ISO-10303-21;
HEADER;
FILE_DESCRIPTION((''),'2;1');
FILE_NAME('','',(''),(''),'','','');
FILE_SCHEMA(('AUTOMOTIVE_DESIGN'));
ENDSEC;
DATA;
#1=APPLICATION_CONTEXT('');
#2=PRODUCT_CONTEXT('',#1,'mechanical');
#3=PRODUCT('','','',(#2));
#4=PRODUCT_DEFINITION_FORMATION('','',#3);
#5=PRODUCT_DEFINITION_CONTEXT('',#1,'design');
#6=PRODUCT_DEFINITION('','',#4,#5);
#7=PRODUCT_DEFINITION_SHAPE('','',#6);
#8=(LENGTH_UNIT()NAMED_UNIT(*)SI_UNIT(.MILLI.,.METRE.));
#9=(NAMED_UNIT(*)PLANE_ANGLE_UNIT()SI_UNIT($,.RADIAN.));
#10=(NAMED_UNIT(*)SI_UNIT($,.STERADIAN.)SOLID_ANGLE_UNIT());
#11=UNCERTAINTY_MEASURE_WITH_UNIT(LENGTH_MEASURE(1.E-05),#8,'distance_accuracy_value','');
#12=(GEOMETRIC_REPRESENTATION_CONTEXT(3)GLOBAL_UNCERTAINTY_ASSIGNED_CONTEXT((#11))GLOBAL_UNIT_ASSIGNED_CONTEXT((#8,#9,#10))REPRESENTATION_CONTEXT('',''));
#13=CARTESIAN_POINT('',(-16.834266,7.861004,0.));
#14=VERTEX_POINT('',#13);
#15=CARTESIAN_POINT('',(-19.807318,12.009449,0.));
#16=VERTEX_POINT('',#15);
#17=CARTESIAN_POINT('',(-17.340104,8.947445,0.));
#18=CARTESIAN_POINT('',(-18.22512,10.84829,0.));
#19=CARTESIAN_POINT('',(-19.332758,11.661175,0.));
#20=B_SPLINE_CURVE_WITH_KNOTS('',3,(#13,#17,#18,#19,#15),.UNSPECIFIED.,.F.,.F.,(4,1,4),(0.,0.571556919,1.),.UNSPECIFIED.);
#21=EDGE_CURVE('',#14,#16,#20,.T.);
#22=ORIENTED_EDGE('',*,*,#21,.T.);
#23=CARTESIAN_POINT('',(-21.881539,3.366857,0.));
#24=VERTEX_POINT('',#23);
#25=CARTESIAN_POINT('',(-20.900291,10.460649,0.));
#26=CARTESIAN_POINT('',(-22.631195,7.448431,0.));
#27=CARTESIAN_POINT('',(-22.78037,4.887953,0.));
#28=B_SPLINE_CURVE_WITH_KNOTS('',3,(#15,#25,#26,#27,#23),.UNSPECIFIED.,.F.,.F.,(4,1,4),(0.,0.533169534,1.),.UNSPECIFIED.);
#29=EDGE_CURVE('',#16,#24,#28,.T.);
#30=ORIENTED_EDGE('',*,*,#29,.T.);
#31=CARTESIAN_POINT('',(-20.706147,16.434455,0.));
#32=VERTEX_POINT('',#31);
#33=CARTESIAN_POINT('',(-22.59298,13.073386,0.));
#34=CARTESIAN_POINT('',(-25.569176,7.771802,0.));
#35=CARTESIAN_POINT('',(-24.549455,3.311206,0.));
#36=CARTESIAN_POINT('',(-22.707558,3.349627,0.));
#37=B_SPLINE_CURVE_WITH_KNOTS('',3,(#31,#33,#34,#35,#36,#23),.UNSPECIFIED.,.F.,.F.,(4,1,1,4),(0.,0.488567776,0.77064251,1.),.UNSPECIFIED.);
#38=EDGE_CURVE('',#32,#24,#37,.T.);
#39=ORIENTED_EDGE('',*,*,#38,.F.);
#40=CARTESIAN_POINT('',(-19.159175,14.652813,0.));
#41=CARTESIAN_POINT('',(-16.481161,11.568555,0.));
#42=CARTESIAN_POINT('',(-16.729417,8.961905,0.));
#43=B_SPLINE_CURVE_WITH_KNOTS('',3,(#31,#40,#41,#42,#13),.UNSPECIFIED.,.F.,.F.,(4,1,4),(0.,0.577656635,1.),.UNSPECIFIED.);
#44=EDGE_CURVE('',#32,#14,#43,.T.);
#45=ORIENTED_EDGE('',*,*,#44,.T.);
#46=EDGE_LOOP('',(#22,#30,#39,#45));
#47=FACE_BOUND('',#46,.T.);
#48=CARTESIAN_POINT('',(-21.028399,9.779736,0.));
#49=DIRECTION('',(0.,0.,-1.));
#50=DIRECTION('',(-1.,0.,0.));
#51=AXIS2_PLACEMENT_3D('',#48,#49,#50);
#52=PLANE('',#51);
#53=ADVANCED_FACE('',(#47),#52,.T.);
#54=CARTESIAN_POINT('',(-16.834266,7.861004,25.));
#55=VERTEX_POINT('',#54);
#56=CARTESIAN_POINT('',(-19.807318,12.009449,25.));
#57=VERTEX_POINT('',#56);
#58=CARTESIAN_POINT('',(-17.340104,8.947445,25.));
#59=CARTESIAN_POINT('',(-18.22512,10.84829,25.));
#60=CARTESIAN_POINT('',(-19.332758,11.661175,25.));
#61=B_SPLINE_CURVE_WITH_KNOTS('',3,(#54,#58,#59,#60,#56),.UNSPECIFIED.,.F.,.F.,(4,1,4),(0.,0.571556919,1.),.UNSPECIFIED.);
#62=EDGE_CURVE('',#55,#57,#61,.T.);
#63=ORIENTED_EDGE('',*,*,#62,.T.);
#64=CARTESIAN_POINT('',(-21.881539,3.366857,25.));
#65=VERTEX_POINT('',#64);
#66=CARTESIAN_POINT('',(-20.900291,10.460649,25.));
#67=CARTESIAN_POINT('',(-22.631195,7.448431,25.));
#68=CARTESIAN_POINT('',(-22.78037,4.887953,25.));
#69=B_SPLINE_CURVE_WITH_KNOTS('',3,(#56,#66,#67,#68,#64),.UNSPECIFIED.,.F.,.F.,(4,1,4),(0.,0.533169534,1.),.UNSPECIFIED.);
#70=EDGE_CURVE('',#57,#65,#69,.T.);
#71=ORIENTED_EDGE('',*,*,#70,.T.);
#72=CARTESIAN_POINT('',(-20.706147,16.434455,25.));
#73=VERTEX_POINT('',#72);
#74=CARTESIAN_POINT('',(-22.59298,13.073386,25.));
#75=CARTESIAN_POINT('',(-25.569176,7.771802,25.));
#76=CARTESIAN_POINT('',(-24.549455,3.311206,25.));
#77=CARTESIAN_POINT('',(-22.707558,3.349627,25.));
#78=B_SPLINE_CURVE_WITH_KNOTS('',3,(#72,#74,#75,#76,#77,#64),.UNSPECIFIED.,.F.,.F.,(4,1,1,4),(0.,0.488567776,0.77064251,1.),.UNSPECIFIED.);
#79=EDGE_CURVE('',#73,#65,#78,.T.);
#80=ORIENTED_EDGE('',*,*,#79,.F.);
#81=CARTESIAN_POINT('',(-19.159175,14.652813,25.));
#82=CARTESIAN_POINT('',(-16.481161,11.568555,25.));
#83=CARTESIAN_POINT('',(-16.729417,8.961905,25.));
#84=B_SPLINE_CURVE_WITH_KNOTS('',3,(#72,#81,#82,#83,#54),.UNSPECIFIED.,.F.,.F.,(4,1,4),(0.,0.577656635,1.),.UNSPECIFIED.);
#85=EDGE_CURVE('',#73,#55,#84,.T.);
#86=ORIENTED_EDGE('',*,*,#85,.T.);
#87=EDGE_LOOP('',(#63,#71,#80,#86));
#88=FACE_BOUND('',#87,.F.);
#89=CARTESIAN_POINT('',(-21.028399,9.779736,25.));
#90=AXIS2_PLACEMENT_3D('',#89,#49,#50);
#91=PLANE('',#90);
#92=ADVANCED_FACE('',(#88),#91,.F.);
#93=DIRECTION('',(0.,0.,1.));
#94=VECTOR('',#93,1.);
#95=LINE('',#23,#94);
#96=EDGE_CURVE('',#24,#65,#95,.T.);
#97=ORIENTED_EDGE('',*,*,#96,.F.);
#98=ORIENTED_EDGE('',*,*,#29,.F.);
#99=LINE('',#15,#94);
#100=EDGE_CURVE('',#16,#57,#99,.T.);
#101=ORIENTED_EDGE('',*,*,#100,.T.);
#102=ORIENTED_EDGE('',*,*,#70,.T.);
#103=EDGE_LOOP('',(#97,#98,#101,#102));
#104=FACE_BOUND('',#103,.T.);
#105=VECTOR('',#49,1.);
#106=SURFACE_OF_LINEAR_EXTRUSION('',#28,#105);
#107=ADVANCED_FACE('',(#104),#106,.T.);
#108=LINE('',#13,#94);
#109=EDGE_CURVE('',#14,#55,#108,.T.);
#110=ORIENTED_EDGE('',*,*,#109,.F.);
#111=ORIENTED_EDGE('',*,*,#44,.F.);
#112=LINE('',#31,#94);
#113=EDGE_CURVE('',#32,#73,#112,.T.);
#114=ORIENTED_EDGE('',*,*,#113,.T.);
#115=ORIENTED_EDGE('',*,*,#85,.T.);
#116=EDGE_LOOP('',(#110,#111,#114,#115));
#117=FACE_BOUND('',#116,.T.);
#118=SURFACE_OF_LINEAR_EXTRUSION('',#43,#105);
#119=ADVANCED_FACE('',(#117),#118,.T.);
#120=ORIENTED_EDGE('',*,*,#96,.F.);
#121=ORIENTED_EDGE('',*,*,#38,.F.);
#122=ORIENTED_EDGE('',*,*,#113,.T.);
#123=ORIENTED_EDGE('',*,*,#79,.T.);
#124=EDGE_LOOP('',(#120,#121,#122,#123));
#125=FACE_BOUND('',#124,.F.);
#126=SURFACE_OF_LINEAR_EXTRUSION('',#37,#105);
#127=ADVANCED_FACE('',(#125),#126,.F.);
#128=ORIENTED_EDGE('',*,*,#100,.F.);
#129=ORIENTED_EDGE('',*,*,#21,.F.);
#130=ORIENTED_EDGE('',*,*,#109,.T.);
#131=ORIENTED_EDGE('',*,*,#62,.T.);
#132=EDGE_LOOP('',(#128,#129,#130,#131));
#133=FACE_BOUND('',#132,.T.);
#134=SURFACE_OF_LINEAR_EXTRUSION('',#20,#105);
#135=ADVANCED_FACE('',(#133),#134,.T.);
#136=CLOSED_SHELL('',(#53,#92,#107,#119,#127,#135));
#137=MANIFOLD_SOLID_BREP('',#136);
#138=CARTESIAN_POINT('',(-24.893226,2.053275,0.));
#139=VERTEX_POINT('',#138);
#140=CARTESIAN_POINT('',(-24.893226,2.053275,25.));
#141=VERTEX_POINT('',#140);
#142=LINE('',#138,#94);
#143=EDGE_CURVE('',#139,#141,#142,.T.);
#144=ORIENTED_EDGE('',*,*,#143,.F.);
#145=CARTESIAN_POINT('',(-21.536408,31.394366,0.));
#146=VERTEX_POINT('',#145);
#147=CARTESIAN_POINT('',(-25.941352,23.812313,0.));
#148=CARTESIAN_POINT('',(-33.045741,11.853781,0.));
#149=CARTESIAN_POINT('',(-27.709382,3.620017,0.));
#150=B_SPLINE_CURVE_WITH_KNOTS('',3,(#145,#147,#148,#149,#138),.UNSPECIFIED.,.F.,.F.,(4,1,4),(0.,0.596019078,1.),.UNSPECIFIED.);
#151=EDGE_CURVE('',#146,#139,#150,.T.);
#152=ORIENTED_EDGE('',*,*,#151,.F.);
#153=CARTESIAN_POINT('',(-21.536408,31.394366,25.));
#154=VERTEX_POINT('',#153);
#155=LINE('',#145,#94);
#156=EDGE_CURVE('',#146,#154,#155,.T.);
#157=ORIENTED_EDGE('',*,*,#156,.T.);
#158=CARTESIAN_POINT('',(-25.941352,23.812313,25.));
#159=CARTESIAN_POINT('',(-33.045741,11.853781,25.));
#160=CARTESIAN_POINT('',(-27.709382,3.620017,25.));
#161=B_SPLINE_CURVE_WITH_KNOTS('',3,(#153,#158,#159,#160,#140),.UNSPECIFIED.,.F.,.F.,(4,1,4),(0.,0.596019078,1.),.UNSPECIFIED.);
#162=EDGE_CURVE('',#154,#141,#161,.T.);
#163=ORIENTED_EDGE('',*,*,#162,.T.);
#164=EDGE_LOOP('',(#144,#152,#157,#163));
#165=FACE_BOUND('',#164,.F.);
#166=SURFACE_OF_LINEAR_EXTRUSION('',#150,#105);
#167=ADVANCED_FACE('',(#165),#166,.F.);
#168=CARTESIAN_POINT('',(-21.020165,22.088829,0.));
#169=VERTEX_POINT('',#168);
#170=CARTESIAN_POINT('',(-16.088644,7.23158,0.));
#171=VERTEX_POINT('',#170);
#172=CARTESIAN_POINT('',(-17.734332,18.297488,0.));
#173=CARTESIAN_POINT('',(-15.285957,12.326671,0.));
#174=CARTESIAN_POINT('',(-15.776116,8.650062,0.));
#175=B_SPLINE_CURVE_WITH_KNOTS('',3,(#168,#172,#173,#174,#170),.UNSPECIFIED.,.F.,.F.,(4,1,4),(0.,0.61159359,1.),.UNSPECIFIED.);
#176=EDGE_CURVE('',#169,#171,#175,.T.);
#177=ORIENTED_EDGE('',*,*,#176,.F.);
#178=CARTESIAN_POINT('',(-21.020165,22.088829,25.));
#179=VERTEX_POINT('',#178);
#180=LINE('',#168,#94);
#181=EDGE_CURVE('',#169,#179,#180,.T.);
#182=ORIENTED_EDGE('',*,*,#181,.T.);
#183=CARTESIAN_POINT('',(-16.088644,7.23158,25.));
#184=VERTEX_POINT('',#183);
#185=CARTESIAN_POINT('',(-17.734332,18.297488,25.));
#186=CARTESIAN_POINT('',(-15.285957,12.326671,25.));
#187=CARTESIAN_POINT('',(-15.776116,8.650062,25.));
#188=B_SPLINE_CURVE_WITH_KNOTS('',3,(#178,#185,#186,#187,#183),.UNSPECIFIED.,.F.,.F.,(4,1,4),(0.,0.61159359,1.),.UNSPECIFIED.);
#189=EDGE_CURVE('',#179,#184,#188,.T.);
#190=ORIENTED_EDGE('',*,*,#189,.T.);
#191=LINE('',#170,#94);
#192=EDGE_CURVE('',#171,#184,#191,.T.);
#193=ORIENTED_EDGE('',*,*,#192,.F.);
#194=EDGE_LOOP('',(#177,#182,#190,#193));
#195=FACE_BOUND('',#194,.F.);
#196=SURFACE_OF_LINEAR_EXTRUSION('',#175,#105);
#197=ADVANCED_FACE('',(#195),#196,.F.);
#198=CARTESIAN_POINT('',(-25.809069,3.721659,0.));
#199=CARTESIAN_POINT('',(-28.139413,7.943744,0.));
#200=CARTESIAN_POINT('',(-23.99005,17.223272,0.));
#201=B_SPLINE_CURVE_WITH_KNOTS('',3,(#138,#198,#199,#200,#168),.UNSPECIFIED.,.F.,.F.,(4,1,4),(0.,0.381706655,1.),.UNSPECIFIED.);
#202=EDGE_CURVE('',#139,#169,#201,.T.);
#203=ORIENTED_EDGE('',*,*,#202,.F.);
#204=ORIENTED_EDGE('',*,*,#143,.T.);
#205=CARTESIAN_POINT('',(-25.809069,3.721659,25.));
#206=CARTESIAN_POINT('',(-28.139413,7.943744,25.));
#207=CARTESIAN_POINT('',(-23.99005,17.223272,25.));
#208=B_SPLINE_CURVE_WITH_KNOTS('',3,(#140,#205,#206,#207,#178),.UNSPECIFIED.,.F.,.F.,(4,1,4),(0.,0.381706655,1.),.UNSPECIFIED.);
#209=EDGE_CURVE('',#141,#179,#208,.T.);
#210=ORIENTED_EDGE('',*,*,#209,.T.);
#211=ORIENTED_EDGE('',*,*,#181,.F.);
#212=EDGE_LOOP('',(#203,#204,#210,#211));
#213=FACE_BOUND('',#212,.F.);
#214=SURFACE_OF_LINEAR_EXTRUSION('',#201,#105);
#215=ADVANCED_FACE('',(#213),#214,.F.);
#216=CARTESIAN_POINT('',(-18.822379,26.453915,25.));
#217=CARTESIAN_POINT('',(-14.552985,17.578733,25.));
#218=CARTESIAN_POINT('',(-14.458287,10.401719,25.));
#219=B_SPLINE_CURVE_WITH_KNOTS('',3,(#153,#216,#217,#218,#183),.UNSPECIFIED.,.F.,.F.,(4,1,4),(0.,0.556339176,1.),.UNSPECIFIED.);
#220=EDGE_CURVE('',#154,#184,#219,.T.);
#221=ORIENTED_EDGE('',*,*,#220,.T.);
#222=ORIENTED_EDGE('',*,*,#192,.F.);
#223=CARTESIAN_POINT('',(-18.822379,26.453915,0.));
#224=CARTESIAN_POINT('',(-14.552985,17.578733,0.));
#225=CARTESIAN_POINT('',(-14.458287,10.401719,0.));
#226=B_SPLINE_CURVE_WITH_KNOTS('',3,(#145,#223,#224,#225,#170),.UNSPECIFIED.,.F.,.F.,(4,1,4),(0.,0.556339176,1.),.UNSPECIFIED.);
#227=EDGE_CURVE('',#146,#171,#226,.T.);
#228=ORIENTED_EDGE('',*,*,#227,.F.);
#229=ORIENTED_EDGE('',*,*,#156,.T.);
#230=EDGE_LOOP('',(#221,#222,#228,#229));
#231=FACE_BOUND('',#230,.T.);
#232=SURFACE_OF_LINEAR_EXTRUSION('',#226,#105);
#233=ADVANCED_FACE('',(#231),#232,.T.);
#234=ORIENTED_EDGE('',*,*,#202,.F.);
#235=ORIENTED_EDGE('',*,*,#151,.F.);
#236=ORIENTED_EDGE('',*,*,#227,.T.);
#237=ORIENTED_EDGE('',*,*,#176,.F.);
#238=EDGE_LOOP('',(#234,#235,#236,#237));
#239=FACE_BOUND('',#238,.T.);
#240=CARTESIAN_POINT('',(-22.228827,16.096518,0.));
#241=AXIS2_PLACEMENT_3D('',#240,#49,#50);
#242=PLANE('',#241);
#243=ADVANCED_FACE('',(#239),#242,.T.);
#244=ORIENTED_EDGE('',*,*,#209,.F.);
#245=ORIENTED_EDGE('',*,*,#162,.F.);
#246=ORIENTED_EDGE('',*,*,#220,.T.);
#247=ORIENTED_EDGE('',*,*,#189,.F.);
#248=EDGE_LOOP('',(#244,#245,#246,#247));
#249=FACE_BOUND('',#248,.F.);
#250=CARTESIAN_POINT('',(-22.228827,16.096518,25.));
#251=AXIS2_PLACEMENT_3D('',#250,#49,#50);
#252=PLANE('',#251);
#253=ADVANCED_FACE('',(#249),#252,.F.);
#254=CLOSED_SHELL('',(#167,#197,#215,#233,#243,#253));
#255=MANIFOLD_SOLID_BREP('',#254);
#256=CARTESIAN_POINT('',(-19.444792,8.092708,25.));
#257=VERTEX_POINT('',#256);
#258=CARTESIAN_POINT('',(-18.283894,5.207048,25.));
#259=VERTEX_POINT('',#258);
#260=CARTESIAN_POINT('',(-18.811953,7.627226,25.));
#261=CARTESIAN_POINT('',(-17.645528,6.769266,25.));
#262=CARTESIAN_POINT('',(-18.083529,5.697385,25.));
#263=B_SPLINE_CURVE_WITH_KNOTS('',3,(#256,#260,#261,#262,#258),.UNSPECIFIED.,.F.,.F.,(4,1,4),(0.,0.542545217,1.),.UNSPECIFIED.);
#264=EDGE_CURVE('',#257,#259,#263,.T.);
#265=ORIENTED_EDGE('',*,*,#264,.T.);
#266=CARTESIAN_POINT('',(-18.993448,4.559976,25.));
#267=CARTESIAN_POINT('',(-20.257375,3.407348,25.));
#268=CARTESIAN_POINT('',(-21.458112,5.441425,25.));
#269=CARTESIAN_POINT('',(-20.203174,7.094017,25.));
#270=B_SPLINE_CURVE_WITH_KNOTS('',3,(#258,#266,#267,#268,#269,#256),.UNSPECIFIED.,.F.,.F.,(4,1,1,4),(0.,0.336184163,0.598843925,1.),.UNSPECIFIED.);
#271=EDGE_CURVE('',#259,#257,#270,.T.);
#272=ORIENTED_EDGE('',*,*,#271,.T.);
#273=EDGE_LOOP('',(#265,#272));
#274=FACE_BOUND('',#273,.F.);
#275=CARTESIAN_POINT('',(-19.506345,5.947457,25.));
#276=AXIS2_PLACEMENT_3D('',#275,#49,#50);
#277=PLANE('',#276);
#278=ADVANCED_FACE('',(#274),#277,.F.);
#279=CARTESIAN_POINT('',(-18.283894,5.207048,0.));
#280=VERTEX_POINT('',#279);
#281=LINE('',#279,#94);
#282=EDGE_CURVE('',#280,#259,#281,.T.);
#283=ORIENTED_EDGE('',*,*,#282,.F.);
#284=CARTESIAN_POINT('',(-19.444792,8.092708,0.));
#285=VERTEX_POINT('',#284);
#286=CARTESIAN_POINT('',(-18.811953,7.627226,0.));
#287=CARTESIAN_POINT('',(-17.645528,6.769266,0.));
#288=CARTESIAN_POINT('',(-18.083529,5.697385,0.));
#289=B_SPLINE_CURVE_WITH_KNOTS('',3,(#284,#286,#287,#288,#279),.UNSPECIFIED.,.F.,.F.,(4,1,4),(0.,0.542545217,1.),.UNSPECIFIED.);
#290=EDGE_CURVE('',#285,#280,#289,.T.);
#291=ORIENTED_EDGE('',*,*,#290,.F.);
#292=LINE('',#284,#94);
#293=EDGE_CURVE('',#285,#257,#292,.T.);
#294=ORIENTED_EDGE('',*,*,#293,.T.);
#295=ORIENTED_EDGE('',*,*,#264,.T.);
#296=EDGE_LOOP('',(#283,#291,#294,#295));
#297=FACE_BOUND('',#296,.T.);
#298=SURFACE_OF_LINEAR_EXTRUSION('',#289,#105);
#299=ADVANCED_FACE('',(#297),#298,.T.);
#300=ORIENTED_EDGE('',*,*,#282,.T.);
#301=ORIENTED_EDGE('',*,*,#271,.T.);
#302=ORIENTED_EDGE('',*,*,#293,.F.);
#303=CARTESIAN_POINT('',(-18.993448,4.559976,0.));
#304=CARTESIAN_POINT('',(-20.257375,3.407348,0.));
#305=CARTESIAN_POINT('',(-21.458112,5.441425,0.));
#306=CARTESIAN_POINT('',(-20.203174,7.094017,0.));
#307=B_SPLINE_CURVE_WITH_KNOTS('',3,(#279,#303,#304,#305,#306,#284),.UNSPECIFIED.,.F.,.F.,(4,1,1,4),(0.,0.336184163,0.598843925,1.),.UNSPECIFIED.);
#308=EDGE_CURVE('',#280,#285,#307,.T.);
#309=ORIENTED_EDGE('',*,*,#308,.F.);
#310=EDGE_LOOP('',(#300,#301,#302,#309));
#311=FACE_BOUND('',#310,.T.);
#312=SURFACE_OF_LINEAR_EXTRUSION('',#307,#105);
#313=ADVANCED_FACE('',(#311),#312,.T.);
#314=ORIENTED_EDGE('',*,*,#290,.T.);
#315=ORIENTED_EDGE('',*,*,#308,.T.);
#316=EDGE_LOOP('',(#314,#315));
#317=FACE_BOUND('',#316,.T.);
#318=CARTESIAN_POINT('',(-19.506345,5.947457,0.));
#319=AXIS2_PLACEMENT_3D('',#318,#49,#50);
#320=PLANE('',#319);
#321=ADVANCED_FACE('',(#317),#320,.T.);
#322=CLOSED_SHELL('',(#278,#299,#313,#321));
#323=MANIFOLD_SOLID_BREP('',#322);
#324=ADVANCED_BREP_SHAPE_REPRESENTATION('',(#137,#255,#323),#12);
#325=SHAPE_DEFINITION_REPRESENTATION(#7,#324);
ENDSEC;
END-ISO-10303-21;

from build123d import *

# Parameters (mm, degrees)
F1_DEPTH = 25


with BuildPart() as f1:
    # F0 (on Top) → F1 (new body)
    with BuildSketch(Plane.XY):
        with BuildLine():
            add(Edge.make_bspline(
                [(-20.7061469555, 16.4344552904), (-19.1591746798, 14.6528130839), (-16.4811611661, 11.5685548971), (-16.7294171966, 8.9619053509), (-16.8342664838, 7.861004211)],
                knots=[0, 0, 0, 0, 0.5776566353, 1, 1, 1, 1], degree=3))
            add(Edge.make_bspline(
                [(-20.7061469555, 16.4344552904), (-22.5929795945, 13.0733857486), (-25.5691755523, 7.7718018255), (-24.5494545724, 3.3112060098), (-22.7075583132, 3.3496265036), (-21.8815393746, 3.366856603)],
                knots=[0, 0, 0, 0, 0.4885677764, 0.7706425102, 1, 1, 1, 1], degree=3))
            add(Edge.make_bspline(
                [(-19.8073182255, 12.0094493032), (-20.9002914306, 10.4606493601), (-22.6311950908, 7.4484306138), (-22.7803699672, 4.887952935), (-21.8815393746, 3.366856603)],
                knots=[0, 0, 0, 0, 0.5331695338, 1, 1, 1, 1], degree=3))
            add(Edge.make_bspline(
                [(-16.8342664838, 7.861004211), (-17.3401036173, 8.9474453341), (-18.225119819, 10.8482903539), (-19.3327582175, 11.6611746506), (-19.8073182255, 12.0094493032)],
                knots=[0, 0, 0, 0, 0.5715569191, 1, 1, 1, 1], degree=3))
        make_face()
    extrude(amount=F1_DEPTH)


with BuildPart() as f1b:
    # F0 (on Top) → F1, piece 2 (new body)
    with BuildSketch(Plane.XY):
        with BuildLine():
            add(Edge.make_bspline(
                [(-19.4447916001, 8.0927079543), (-18.8119530705, 7.627226052), (-17.6455276569, 6.7692664068), (-18.0835286407, 5.69738537), (-18.2838942856, 5.2070482634)],
                knots=[0, 0, 0, 0, 0.5425452174, 1, 1, 1, 1], degree=3))
            add(Edge.make_bspline(
                [(-18.2838942856, 5.2070482634), (-18.9934483277, 4.5599760742), (-20.2573749934, 3.4073481615), (-21.4581117132, 5.4414249695), (-20.2031736614, 7.094016568), (-19.4447916001, 8.0927079543)],
                knots=[0, 0, 0, 0, 0.3361841626, 0.5988439252, 1, 1, 1, 1], degree=3))
        make_face()
    extrude(amount=F1_DEPTH)


with BuildPart() as f1c:
    # F0 (on Top) → F1, piece 3 (new body)
    with BuildSketch(Plane.XY):
        with BuildLine():
            add(Edge.make_bspline(
                [(-21.5364079922, 31.3943661749), (-18.8223791321, 26.453914754), (-14.5529853201, 17.5787333628), (-14.458286576, 10.4017192498), (-16.0886440426, 7.2315796278)],
                knots=[0, 0, 0, 0, 0.5563391757, 1, 1, 1, 1], degree=3))
            add(Edge.make_bspline(
                [(-21.5364079922, 31.3943661749), (-25.9413516483, 23.8123130141), (-33.0457412626, 11.8537808402), (-27.7093816549, 3.6200170871), (-24.893226102, 2.0532754716)],
                knots=[0, 0, 0, 0, 0.5960190783, 1, 1, 1, 1], degree=3))
            add(Edge.make_bspline(
                [(-24.893226102, 2.0532754716), (-25.8090688548, 3.7216586826), (-28.1394130509, 7.9437440431), (-23.9900499582, 17.2232724726), (-21.0201647133, 22.088829428)],
                knots=[0, 0, 0, 0, 0.3817066551, 1, 1, 1, 1], degree=3))
            add(Edge.make_bspline(
                [(-21.0201647133, 22.088829428), (-17.7343320101, 18.2974878699), (-15.2859570615, 12.3266708745), (-15.7761164771, 8.6500617784), (-16.0886440426, 7.2315796278)],
                knots=[0, 0, 0, 0, 0.6115935899, 1, 1, 1, 1], degree=3))
        make_face()
    extrude(amount=F1_DEPTH)


solid = Compound([f1.part, f1b.part, f1c.part])
